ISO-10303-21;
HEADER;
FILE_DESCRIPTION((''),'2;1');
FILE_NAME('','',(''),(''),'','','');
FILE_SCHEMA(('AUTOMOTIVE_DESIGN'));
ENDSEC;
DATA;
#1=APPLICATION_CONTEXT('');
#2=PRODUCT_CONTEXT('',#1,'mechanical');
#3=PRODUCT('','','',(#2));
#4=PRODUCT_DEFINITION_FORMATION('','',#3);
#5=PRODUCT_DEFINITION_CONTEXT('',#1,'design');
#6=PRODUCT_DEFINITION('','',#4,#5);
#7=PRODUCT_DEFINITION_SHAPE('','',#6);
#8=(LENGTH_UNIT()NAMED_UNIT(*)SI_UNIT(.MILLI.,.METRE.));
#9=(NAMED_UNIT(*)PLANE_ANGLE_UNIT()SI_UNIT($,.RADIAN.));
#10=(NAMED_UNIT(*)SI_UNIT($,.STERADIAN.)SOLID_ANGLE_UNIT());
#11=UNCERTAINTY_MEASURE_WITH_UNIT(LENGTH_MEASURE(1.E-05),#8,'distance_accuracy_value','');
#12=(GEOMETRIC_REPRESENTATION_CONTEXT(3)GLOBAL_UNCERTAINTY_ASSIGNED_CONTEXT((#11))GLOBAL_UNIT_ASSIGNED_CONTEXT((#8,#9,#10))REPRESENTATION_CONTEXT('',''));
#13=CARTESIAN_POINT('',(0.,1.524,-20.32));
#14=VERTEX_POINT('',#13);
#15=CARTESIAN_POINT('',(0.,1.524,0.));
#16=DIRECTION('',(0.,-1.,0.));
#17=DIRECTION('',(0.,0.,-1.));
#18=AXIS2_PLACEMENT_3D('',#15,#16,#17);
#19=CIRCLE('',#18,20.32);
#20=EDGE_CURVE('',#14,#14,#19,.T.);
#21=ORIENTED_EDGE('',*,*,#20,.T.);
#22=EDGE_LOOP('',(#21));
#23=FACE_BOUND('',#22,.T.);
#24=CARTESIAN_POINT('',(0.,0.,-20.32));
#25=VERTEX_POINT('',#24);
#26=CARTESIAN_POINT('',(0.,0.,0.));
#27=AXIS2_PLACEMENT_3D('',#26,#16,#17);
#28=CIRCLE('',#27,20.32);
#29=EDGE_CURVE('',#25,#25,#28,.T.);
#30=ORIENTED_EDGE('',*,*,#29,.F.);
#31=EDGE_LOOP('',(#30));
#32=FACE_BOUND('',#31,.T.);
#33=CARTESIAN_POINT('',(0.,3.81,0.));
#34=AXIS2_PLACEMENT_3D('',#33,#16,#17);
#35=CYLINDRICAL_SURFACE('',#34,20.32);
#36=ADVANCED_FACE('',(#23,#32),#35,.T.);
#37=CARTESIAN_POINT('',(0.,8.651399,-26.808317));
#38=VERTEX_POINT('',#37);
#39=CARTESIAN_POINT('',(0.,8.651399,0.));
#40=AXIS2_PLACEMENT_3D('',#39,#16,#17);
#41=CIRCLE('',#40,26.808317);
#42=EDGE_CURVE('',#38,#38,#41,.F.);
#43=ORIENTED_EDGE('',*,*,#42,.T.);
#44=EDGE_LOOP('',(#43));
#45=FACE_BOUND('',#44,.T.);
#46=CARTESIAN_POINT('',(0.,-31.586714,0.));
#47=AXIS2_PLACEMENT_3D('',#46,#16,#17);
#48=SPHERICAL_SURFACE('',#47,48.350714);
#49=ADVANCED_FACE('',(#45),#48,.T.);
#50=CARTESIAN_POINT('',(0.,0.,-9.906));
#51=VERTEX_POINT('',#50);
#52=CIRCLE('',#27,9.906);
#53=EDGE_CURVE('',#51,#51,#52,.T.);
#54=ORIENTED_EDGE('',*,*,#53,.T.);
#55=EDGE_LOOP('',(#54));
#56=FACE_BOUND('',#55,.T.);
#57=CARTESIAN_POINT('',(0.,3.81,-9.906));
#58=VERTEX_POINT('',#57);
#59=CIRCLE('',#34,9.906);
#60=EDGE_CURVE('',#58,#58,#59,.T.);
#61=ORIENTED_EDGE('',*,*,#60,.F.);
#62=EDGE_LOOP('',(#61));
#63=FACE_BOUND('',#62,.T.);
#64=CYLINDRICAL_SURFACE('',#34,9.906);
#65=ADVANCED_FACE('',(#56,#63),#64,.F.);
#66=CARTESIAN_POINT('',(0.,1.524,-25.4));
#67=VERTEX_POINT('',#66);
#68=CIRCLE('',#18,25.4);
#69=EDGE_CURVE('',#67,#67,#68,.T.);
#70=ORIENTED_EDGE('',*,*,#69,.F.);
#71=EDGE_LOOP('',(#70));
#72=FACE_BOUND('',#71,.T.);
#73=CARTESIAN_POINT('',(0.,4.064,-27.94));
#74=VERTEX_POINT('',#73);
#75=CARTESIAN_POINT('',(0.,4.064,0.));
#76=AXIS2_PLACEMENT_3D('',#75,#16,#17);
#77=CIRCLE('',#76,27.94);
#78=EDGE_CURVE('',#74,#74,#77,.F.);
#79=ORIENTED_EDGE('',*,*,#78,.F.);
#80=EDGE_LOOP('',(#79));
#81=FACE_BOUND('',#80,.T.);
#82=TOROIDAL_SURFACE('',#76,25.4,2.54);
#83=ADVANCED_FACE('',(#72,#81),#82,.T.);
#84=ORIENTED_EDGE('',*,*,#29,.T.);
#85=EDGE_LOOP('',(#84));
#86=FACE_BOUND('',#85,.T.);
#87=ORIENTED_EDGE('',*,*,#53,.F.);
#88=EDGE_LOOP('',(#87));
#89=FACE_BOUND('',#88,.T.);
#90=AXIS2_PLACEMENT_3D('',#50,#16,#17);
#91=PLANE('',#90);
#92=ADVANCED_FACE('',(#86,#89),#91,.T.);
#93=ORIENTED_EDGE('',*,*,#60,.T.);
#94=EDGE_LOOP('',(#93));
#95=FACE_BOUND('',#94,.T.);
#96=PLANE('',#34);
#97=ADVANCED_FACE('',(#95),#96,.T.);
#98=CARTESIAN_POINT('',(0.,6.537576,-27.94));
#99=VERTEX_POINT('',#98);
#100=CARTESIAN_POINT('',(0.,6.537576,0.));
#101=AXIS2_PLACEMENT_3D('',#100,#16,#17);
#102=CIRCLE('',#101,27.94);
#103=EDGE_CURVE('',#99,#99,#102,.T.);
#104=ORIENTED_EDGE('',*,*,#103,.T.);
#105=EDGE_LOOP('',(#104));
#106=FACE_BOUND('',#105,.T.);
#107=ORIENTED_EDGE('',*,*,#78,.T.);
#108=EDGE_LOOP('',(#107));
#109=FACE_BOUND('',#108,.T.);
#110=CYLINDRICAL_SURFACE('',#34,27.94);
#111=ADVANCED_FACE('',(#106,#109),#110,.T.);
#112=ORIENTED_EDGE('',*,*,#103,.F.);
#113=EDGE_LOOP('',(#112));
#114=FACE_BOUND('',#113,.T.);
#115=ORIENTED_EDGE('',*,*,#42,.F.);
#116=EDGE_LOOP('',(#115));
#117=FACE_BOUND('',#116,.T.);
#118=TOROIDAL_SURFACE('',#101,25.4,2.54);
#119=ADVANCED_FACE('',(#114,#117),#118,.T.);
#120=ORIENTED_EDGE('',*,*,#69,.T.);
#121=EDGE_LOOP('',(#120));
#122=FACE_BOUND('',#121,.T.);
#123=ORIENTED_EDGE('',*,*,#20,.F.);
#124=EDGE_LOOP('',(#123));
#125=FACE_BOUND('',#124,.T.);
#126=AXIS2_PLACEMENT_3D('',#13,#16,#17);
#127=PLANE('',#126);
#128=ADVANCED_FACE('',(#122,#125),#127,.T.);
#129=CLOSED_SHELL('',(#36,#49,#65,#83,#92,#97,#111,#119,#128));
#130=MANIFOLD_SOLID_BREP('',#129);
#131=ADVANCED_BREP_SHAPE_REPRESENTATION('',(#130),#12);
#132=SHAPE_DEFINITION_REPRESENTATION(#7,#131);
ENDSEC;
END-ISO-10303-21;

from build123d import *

# Parameters (mm, degrees)
FILLET1_R = 2.54


with BuildPart() as part:
    # Sketch1 → Revolve1 (revolve)
    with BuildSketch(Plane(origin=(0, 0, 0), x_dir=(0, 0, -1), z_dir=(1, 0, 0))):
        with BuildLine():
            Line((0, 3.81), (0, 16.764))
            ThreePointArc((0, 16.764), (14.660113403, 14.487927839), (27.94, 7.874))
            Line((27.94, 7.874), (27.94, 1.524))
            Line((27.94, 1.524), (20.32, 1.524))
            Line((20.32, 1.524), (20.32, 0))
            Line((20.32, 0), (9.906, 0))
            Line((9.906, 0), (9.906, 3.81))
            Line((9.906, 3.81), (0, 3.81))
        make_face()
    revolve(axis=Axis((0, 3.81, 0), (0, 1, 0)))

    # Fillet1
    fillet1_edges = [part.edges().sort_by_distance(p)[0] for p in [
        (0, 7.874, 27.94),
        (0, 1.524, 27.94),
    ]]
    fillet(fillet1_edges, radius=FILLET1_R)


solid = part.part
